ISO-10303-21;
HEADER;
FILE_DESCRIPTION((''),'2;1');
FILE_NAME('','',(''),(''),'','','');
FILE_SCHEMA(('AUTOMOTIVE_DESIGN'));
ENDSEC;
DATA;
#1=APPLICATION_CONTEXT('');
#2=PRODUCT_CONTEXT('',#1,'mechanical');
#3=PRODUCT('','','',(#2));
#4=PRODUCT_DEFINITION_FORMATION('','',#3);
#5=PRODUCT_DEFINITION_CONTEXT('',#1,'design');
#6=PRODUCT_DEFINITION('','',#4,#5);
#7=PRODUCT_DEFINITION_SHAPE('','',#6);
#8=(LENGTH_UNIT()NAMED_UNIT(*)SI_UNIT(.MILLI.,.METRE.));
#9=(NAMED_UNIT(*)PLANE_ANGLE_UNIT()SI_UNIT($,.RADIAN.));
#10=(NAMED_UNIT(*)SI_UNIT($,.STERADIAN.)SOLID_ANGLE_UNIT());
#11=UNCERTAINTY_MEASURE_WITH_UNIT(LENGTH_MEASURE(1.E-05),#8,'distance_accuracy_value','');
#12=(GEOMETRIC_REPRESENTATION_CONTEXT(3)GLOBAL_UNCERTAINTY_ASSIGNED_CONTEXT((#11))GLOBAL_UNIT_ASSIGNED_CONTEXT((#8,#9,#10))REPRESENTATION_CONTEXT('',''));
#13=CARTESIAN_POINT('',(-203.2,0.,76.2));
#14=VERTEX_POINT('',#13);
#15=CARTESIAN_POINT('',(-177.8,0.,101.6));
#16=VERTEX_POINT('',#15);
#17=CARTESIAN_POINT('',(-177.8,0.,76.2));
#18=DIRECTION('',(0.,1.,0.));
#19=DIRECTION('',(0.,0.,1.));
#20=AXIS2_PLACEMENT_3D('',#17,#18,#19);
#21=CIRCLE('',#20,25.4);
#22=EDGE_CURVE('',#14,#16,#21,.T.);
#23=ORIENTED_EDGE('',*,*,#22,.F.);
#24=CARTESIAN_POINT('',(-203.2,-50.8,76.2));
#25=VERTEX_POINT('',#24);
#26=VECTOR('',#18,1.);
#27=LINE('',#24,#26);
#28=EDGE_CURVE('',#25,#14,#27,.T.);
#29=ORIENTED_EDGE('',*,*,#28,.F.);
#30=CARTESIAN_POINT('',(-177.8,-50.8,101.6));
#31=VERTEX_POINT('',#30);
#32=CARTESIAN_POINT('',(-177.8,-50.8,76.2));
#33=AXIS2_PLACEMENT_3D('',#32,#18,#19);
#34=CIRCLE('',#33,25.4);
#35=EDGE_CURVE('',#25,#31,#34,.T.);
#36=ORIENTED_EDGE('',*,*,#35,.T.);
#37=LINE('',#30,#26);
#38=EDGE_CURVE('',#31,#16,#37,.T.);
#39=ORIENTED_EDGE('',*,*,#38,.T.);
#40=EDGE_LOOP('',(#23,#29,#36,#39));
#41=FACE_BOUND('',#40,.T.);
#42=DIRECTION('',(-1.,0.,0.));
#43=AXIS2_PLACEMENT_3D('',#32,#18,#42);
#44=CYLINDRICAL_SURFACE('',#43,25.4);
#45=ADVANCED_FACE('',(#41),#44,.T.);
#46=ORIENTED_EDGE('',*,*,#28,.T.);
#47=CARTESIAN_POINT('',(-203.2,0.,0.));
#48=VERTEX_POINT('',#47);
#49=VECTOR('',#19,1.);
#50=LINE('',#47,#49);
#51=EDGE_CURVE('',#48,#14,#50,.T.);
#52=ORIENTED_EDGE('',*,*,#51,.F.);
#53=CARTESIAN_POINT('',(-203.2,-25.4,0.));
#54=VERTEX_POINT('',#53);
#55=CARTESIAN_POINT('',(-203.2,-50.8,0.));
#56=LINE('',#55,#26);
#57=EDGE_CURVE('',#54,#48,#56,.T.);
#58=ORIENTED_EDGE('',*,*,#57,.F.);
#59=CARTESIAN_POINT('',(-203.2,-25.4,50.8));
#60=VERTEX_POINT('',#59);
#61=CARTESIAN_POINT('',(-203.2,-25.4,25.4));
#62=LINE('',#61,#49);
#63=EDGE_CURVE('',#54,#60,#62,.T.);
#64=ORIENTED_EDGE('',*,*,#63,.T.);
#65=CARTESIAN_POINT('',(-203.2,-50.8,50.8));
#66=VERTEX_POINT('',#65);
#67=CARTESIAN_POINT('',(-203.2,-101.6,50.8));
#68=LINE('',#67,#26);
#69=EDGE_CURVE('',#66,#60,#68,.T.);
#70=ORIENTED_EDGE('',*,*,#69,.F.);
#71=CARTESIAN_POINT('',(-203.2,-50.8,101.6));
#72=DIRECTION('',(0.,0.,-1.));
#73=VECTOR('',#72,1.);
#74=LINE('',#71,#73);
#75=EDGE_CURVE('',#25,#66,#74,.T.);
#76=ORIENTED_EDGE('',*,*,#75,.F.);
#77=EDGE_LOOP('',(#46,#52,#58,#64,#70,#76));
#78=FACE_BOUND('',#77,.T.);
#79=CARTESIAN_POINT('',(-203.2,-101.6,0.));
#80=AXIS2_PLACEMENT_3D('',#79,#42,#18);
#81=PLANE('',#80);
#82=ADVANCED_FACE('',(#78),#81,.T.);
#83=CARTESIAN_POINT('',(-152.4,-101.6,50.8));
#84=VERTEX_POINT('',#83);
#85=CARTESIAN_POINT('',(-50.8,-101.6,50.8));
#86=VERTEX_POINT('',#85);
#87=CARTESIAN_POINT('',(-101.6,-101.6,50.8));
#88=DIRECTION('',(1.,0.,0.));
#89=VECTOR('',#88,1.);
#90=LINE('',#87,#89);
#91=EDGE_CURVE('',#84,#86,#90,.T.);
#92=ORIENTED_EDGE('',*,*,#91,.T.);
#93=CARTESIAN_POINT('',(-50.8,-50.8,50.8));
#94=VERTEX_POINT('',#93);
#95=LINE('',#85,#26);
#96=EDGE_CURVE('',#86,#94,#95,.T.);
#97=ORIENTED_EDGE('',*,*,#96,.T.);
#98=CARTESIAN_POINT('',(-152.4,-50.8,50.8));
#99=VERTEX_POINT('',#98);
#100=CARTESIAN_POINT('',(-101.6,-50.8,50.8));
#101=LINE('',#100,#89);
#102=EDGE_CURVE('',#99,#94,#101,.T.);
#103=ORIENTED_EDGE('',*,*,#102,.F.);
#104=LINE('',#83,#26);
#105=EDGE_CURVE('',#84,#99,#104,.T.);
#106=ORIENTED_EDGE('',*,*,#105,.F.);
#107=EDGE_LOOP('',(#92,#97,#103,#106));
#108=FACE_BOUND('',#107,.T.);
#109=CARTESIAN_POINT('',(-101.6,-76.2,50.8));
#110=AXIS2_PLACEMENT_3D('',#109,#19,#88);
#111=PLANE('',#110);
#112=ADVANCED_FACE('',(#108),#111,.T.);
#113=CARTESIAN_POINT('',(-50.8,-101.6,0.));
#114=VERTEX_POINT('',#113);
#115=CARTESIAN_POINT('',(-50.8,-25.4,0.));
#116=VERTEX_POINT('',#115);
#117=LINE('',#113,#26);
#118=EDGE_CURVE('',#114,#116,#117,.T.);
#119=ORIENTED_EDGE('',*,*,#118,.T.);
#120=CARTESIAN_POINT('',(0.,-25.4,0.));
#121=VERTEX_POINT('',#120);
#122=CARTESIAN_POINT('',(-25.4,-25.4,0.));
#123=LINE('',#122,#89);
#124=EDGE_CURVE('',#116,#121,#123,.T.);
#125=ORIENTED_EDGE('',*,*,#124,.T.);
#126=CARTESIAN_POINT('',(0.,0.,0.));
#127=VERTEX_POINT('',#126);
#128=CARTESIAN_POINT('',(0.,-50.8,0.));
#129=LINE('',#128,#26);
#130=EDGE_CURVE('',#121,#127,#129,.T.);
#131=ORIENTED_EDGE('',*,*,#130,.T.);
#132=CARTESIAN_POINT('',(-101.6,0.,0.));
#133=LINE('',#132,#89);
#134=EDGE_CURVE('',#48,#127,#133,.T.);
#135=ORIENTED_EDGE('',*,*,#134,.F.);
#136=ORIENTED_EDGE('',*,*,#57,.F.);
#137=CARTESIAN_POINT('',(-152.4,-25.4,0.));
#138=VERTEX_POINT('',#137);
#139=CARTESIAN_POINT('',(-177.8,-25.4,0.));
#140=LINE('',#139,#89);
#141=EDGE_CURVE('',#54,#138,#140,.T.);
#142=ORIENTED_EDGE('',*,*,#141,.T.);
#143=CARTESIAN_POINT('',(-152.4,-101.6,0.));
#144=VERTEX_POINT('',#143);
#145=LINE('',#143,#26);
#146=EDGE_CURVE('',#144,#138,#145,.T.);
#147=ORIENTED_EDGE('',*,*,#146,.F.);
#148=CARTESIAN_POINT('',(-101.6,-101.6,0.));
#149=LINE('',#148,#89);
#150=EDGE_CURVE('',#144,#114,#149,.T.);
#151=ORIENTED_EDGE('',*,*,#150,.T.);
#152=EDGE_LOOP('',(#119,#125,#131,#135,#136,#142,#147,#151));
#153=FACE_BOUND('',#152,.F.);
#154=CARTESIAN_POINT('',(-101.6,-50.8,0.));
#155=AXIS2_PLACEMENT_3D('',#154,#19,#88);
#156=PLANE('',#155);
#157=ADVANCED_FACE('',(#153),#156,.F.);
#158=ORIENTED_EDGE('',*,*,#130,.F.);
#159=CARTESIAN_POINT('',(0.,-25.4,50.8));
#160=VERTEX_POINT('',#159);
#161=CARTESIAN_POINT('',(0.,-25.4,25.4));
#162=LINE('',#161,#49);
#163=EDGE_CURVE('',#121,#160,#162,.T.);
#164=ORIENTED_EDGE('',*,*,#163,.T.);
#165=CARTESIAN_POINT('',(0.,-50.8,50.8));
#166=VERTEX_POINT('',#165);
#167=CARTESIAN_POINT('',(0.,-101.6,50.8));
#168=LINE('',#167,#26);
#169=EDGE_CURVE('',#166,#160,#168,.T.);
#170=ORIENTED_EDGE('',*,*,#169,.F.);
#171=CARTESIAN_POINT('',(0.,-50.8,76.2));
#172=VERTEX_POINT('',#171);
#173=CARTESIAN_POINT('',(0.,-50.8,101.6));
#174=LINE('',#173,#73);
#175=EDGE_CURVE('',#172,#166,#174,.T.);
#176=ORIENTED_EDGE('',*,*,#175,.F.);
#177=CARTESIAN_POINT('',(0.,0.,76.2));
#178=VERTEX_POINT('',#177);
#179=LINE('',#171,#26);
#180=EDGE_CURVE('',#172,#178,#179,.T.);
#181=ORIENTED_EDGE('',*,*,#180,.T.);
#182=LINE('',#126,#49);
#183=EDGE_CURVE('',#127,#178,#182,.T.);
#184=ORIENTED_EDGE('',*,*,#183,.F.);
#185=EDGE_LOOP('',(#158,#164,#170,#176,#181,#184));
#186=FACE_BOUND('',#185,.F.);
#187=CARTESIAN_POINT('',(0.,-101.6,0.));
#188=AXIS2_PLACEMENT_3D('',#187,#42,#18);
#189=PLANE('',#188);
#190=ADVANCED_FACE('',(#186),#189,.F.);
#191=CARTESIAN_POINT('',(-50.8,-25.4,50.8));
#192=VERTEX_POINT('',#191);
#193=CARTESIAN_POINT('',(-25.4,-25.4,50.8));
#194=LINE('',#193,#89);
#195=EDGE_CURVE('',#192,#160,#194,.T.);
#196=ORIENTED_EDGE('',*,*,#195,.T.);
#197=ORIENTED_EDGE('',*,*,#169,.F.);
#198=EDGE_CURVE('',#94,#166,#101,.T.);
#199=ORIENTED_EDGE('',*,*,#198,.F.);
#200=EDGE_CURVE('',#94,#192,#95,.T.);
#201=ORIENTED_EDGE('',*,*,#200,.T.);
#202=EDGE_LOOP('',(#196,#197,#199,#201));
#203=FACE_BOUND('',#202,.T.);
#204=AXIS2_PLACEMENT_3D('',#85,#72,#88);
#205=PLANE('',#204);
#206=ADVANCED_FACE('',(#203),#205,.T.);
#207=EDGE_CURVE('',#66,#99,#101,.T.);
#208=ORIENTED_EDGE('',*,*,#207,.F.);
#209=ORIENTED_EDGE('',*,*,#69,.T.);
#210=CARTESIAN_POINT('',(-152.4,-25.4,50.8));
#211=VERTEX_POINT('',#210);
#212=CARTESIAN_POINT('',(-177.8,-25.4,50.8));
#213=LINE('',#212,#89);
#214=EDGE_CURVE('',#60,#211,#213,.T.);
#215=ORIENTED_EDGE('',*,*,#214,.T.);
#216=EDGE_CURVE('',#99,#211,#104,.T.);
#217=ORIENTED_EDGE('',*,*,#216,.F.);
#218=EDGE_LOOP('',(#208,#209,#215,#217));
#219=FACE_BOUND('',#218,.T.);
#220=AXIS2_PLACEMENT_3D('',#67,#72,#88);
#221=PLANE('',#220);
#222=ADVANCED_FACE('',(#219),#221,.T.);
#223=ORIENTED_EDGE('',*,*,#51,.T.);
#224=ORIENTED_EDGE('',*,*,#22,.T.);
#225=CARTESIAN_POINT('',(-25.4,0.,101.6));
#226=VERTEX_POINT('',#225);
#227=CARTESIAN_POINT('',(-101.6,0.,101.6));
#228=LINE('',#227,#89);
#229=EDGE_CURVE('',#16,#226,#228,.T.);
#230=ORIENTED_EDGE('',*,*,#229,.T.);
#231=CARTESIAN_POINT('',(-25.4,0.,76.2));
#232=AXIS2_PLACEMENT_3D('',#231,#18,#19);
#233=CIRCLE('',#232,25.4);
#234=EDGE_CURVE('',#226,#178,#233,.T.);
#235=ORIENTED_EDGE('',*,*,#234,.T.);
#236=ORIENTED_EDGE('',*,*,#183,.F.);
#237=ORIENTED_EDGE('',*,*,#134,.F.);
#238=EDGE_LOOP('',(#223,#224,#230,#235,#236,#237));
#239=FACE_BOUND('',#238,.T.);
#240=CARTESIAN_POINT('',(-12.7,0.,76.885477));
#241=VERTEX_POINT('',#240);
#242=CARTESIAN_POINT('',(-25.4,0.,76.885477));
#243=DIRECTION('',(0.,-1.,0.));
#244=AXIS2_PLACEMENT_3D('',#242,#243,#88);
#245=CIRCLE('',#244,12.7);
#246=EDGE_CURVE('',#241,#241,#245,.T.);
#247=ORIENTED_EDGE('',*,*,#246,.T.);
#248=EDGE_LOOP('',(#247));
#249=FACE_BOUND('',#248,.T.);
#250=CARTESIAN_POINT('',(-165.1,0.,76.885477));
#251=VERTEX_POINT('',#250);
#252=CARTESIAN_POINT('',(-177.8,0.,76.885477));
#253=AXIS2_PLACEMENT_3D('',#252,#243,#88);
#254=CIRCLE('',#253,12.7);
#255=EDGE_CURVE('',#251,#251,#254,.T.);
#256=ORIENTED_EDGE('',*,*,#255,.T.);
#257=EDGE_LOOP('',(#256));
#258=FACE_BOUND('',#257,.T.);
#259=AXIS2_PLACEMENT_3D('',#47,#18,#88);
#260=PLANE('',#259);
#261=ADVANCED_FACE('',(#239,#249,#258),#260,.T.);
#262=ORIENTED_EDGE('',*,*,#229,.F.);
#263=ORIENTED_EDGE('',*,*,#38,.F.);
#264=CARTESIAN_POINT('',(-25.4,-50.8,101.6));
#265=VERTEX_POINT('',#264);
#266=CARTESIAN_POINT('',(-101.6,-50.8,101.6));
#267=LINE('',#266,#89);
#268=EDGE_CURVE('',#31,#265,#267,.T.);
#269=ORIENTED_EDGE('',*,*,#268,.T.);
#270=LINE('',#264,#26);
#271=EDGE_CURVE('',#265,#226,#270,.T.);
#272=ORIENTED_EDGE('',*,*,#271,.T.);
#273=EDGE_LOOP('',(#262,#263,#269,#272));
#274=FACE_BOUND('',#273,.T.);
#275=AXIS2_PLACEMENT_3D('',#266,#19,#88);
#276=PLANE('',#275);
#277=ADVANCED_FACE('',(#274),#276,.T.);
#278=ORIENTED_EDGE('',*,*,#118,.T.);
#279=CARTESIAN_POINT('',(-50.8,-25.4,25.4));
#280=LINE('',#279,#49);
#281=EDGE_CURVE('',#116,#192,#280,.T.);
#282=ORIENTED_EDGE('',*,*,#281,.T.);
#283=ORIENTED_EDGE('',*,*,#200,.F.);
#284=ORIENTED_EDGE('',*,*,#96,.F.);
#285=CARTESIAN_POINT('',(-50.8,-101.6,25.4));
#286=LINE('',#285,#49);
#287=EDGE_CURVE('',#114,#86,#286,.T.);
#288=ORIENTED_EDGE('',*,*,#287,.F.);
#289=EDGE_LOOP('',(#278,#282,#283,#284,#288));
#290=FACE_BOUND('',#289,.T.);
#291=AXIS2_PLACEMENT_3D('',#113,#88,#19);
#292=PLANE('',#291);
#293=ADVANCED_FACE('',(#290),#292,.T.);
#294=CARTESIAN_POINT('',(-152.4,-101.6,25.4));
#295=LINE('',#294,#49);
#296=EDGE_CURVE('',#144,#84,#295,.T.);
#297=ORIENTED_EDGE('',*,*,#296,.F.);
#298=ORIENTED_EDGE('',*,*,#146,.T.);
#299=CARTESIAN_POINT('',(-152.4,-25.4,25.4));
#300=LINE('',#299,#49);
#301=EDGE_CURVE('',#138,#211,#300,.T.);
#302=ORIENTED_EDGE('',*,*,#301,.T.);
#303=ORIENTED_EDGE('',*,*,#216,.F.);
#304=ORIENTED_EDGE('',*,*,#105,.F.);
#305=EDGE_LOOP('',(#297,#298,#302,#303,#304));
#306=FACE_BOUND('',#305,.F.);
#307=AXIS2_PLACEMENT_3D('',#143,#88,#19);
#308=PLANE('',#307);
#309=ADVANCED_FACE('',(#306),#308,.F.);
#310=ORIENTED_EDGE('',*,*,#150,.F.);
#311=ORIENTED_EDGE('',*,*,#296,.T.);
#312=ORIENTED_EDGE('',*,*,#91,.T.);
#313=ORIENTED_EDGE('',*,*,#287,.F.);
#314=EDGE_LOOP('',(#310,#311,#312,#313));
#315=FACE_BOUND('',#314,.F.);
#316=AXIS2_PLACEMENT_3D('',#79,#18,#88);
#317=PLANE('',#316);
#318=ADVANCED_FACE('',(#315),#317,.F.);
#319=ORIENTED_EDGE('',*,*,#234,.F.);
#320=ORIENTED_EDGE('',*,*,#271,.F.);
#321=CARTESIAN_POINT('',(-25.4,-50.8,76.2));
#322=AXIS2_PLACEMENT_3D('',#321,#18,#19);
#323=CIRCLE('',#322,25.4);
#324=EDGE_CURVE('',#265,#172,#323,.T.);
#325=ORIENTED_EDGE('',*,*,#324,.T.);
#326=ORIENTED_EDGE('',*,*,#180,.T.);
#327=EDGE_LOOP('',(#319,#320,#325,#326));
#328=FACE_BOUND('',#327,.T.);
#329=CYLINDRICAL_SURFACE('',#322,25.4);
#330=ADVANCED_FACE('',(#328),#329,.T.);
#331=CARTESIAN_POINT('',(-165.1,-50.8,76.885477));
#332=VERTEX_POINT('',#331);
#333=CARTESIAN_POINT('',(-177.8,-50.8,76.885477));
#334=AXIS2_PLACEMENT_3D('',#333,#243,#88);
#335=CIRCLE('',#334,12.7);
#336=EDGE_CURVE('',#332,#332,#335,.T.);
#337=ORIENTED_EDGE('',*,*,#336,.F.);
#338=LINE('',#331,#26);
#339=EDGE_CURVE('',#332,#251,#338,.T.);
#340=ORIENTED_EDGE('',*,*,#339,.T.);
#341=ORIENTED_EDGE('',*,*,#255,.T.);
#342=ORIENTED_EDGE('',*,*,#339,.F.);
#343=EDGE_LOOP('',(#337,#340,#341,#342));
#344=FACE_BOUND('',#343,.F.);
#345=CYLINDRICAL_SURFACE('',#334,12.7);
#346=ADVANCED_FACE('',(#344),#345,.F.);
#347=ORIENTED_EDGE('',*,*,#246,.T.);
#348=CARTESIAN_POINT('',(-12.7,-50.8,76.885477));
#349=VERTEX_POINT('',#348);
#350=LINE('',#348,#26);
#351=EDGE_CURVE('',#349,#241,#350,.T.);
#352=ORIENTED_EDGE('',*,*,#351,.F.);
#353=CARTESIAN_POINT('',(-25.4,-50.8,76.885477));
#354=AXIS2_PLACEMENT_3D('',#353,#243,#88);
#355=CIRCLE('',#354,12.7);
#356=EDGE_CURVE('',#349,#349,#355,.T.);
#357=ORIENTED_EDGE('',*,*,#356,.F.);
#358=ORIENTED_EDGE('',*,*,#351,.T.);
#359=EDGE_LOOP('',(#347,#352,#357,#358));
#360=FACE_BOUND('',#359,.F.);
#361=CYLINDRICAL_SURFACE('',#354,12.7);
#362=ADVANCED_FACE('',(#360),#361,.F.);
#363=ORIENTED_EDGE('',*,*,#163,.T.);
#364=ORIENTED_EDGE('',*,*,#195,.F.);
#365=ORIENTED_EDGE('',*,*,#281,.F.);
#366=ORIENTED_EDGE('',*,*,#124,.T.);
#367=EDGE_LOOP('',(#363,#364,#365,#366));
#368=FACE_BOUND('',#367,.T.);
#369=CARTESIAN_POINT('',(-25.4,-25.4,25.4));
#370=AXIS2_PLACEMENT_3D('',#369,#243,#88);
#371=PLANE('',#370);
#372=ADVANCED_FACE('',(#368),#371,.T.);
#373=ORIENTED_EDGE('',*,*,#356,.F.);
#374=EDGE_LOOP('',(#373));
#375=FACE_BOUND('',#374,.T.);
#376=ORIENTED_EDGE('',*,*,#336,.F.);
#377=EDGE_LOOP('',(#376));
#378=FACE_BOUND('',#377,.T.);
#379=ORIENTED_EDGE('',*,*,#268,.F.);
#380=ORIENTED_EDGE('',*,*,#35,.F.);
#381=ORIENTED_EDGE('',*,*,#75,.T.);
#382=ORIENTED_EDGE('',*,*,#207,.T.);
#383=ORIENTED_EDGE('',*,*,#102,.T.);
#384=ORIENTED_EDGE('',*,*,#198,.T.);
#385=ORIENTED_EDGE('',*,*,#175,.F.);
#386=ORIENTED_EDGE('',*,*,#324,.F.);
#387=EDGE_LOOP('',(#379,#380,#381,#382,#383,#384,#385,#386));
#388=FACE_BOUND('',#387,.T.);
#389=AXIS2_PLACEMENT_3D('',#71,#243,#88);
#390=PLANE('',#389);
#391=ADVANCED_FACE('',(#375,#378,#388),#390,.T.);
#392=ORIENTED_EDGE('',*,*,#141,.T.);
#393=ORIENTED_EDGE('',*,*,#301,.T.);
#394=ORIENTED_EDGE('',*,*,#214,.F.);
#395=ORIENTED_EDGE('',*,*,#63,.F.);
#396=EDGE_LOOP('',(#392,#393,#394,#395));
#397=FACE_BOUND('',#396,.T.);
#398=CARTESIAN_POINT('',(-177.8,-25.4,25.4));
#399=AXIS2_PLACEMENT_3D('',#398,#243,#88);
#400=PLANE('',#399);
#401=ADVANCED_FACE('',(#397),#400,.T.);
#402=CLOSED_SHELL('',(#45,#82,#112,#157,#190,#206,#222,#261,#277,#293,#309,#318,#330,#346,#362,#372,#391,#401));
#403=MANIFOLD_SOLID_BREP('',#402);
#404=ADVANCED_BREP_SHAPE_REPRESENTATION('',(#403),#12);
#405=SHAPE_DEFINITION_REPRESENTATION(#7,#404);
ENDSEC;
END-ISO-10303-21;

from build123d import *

# Parameters (mm, degrees)
F0_W     = 203.2
F0_H     = 101.6
F1_DEPTH = 101.6
F2_W     = 203.2
F2_H     = 50.8
F3_DEPTH = 50.8
F4_W     = 50.8
F4_H     = 50.8
F5_DEPTH = 76.2
F6_W     = 50.8
F6_H     = 50.8
F7_DEPTH = 76.2
F8_R     = 12.7
F9_DEPTH = 50.8
F10_R    = 25.4


with BuildPart() as f1:
    # F0 (on Top) → F1 (new body)
    with BuildSketch(Plane.XY):
        with Locations((-101.6, -50.8)):
            Rectangle(F0_W, F0_H)
    extrude(amount=F1_DEPTH)

    # F2 (on face) → F3 (cut)
    with BuildSketch(Plane.XY.offset(101.6)):
        with Locations((-101.6, -76.2)):
            Rectangle(F2_W, F2_H)
    extrude(amount=-F3_DEPTH, mode=Mode.SUBTRACT)

    # F4 (on face) → F5 (cut)
    with BuildSketch(Plane.XZ.offset(101.6)):
        with Locations((-177.8, 25.4)):
            Rectangle(F4_W, F4_H)
    extrude(amount=-F5_DEPTH, mode=Mode.SUBTRACT)

    # F6 (on face) → F7 (cut)
    with BuildSketch(Plane.XZ.offset(101.6)):
        with Locations((-25.4, 25.4)):
            Rectangle(F6_W, F6_H)
    extrude(amount=-F7_DEPTH, mode=Mode.SUBTRACT)

    # F8 (on face) → F9 (cut)
    with BuildSketch(Plane.XZ.offset(50.8)):
        with Locations((-177.8, 76.8854767084)):
            Circle(F8_R)
        with Locations((-25.4, 76.8854767084)):
            Circle(F8_R)
    extrude(amount=-F9_DEPTH, mode=Mode.SUBTRACT)

    # F10
    f10_edges = [f1.edges().sort_by_distance(p)[0] for p in [
        (-203.2, -25.4, 101.6),
        (0, -25.4, 101.6),
    ]]
    fillet(f10_edges, radius=F10_R)


solid = f1.part
